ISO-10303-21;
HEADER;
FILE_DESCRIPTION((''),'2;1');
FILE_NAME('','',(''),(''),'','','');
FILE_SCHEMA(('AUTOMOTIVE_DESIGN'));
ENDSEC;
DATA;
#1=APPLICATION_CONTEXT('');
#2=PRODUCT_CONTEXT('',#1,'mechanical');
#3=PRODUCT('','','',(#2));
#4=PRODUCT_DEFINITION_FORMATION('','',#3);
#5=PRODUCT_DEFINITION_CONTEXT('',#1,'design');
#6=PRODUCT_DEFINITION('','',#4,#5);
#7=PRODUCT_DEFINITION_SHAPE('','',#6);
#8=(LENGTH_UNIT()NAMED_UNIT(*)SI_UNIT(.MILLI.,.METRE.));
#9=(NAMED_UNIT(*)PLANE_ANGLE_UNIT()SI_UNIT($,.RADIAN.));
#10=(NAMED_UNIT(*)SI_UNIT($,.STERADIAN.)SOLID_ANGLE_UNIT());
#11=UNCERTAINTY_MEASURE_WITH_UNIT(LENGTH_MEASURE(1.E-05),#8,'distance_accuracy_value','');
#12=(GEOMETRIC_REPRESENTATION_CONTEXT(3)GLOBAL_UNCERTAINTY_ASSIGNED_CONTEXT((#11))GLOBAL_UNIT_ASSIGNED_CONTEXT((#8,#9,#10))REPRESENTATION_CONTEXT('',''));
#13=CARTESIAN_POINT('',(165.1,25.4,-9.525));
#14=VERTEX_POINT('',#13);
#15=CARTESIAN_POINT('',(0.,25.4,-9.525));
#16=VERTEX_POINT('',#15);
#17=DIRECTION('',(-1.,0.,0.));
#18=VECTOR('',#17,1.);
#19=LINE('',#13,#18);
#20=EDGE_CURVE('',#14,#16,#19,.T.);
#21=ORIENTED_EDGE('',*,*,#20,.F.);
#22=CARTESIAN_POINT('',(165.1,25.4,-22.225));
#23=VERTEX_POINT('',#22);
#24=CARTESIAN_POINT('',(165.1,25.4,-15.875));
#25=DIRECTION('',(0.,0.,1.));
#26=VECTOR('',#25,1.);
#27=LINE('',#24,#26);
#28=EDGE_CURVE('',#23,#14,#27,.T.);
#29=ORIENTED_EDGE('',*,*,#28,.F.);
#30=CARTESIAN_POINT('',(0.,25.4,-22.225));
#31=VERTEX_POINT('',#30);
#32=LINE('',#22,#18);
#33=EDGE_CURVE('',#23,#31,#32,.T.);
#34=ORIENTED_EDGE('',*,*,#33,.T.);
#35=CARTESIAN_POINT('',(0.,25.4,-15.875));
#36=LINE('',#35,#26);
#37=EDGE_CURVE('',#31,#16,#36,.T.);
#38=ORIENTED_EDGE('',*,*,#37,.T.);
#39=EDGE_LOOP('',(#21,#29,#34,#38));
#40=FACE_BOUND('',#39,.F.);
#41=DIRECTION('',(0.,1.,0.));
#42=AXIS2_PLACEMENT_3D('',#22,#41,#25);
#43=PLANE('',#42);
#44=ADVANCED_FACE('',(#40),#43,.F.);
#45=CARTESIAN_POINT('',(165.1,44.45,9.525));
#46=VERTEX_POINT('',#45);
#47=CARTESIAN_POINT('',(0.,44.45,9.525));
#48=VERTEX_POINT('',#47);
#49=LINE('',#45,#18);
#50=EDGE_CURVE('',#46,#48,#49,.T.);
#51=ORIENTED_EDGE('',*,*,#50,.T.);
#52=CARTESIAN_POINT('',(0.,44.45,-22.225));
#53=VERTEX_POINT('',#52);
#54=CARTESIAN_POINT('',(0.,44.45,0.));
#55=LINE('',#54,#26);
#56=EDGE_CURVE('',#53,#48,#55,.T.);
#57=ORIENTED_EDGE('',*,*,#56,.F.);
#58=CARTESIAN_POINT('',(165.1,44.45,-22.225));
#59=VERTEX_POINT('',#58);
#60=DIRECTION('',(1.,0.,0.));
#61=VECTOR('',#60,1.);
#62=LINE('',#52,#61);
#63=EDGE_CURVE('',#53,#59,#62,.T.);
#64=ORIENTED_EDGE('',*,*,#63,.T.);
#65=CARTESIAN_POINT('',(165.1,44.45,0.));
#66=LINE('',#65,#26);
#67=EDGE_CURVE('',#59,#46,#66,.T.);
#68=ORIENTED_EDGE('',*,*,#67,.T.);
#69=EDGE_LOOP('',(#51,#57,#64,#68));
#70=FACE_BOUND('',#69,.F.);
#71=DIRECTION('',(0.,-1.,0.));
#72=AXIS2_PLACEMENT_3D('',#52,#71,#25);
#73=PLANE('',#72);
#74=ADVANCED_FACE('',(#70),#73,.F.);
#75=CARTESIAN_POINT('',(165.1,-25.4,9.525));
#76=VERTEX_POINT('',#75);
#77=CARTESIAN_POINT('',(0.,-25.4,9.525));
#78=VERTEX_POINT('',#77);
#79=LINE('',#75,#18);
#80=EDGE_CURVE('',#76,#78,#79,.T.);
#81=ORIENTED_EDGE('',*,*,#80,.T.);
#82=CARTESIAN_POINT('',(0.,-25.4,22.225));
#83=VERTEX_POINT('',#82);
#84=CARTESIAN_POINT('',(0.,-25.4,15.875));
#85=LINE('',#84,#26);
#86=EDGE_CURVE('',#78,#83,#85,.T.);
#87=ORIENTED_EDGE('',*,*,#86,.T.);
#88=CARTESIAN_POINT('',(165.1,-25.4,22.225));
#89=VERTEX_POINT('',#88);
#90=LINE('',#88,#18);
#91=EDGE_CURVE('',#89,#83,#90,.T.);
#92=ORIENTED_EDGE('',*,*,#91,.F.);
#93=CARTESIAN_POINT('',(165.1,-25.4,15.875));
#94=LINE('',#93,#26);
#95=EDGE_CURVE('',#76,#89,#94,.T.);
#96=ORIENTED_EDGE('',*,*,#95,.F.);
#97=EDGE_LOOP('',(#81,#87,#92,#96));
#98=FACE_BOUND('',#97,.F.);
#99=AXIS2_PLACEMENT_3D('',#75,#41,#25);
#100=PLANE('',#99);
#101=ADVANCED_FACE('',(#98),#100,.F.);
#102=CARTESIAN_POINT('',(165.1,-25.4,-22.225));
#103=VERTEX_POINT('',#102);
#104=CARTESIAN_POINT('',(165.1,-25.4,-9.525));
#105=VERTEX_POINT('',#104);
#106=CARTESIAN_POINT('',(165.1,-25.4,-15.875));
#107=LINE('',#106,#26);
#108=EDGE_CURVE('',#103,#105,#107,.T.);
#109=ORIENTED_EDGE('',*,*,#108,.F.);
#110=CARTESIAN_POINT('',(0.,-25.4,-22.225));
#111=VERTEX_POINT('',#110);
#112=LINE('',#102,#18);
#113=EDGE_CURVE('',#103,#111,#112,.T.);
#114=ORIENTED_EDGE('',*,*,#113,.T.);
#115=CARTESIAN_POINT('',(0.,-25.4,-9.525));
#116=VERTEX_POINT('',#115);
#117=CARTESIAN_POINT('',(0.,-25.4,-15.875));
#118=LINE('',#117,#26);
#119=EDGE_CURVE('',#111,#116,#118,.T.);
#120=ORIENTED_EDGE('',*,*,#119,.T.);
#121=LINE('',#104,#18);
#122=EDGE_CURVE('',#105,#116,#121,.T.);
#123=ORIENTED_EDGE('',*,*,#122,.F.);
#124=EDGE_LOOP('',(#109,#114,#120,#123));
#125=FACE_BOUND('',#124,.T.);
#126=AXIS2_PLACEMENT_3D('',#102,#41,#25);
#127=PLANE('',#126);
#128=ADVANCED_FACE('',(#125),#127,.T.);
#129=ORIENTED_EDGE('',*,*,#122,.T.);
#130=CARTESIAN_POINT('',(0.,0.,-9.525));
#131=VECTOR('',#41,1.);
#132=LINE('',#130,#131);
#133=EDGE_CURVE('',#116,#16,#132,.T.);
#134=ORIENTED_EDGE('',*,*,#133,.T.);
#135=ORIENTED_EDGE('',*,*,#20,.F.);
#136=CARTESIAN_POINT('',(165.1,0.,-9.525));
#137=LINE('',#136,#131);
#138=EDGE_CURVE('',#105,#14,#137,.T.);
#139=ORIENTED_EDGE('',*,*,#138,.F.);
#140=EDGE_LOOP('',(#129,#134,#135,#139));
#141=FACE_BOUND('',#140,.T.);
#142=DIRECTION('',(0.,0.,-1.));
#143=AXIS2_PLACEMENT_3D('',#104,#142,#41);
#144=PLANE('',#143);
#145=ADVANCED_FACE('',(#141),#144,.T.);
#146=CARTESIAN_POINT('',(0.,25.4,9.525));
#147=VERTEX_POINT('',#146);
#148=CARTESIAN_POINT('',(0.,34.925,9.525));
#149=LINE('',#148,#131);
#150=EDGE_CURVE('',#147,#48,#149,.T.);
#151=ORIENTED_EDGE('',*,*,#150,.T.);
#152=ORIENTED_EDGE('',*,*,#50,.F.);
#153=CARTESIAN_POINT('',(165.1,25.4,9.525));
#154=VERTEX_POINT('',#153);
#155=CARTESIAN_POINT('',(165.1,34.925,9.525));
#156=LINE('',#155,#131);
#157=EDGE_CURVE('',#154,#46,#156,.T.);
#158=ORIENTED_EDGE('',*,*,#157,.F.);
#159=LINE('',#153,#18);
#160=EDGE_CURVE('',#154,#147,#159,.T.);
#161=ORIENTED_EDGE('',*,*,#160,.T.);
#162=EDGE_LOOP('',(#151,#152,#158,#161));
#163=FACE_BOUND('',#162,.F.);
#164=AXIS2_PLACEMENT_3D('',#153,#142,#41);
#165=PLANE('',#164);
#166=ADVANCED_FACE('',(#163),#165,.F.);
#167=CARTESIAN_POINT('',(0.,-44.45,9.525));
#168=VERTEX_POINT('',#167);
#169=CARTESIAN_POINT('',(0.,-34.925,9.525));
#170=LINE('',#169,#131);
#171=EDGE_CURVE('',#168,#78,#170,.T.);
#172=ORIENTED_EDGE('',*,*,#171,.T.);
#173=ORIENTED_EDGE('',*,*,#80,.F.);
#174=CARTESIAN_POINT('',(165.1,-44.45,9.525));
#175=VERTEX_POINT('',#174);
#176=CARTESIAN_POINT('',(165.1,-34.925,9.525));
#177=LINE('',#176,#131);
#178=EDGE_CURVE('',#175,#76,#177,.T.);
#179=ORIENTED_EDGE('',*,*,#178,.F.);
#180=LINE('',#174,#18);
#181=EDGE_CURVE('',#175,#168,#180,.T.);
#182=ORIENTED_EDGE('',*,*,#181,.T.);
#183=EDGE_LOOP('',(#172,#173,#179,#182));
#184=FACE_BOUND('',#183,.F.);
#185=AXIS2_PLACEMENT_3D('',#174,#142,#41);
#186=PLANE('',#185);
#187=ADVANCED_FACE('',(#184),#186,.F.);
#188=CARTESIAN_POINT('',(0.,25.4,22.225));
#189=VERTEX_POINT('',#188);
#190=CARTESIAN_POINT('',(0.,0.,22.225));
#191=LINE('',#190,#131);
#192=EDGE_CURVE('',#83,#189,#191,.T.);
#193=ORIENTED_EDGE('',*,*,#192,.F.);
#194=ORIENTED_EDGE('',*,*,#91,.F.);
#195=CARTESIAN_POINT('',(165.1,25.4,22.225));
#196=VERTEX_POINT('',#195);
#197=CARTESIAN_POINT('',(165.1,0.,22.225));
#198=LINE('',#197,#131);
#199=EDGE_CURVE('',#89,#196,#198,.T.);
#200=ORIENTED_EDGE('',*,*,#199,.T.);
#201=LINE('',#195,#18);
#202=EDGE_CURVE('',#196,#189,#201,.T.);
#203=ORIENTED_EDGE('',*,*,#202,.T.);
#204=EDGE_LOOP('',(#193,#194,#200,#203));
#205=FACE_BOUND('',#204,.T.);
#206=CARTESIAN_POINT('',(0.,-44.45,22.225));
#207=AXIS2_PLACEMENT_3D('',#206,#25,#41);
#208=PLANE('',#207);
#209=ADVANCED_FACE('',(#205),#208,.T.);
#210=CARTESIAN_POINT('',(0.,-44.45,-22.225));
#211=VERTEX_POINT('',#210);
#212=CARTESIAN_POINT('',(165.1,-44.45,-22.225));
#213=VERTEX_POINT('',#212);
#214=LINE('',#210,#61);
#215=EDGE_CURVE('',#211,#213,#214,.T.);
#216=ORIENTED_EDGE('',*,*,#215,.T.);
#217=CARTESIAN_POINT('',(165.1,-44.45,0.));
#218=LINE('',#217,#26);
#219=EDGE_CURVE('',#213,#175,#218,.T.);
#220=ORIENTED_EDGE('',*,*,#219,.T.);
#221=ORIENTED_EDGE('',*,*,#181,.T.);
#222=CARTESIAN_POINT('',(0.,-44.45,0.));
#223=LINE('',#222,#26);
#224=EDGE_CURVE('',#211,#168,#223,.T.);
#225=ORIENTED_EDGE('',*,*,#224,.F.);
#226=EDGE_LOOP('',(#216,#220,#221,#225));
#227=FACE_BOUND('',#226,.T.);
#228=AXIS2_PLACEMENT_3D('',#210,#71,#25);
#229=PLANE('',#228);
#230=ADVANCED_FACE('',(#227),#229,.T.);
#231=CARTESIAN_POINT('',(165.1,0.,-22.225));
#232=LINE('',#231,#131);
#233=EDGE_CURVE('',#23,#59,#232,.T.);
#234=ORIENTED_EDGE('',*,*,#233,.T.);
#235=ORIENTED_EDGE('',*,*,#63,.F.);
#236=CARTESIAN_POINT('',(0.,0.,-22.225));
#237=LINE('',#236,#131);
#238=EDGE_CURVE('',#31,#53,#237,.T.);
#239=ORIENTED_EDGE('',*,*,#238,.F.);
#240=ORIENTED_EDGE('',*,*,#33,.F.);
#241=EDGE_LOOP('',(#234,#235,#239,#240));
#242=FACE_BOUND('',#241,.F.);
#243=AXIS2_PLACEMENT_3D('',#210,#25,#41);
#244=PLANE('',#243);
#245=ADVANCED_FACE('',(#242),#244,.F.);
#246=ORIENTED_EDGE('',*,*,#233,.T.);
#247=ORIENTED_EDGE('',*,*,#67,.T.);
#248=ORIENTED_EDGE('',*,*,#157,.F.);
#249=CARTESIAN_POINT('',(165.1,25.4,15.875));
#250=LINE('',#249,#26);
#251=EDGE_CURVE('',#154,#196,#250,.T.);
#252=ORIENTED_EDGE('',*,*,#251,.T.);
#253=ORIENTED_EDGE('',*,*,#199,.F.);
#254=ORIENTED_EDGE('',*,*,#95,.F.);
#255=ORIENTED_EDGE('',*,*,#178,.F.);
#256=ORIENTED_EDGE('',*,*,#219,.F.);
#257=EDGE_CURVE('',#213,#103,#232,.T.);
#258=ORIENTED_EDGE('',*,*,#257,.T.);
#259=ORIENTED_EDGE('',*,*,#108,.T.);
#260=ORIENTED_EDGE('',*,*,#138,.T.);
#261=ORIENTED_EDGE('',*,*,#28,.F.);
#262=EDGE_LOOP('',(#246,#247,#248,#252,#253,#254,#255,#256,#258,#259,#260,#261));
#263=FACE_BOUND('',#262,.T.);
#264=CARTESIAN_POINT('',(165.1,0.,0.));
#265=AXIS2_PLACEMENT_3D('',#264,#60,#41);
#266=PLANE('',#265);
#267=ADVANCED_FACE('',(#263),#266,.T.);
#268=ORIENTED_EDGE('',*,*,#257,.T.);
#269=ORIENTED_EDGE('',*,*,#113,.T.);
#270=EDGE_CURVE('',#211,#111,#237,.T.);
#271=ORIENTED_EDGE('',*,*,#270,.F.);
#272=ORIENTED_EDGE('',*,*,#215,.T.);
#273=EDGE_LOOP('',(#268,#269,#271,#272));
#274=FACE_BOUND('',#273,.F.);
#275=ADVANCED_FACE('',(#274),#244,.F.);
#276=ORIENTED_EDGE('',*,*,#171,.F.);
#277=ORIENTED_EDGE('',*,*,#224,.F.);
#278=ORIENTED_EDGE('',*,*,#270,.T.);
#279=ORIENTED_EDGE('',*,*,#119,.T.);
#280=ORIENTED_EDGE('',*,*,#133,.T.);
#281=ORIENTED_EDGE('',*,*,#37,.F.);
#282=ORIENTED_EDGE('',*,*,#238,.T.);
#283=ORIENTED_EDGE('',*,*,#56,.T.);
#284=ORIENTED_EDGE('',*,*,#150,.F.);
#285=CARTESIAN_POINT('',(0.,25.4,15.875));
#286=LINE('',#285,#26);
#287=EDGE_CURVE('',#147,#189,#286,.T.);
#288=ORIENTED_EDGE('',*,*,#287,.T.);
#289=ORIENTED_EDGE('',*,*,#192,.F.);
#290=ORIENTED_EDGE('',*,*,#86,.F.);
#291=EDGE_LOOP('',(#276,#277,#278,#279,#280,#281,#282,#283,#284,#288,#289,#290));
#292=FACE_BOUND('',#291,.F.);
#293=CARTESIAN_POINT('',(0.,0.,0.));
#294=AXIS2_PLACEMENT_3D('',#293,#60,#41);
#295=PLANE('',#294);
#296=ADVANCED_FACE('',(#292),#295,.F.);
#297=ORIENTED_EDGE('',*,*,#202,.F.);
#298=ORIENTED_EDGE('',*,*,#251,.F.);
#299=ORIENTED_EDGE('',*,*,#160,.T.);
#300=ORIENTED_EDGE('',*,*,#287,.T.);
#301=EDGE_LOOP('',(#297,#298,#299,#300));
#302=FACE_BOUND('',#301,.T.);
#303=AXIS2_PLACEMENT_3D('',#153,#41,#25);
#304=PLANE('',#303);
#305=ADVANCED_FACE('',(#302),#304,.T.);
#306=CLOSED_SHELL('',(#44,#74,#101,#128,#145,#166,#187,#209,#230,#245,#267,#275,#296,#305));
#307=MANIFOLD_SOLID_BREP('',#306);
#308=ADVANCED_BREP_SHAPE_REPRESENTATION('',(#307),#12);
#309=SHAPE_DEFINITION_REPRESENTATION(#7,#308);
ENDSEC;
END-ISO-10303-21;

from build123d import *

# Parameters (mm, degrees)
F0_W     = 88.9
F0_H     = 44.45
F1_DEPTH = 165.1
F2_W     = 19.05
F2_H     = 12.7
F2_W_2   = 50.8
F3_DEPTH = 165.1


with BuildPart() as f1:
    # F0 (on Right) → F1 (new body)
    with BuildSketch(Plane.YZ):
        Rectangle(F0_W, F0_H)
    extrude(amount=F1_DEPTH)

    # F2 (on face) → F3 (cut)
    with BuildSketch(Plane.YZ.offset(165.1)):
        with Locations((-34.925, 15.875)):
            Rectangle(F2_W, F2_H)
        with Locations((34.925, 15.875)):
            Rectangle(F2_W, F2_H)
        with Locations((0, -15.875)):
            Rectangle(F2_W_2, F2_H)
    extrude(amount=-F3_DEPTH, mode=Mode.SUBTRACT)


solid = f1.part
